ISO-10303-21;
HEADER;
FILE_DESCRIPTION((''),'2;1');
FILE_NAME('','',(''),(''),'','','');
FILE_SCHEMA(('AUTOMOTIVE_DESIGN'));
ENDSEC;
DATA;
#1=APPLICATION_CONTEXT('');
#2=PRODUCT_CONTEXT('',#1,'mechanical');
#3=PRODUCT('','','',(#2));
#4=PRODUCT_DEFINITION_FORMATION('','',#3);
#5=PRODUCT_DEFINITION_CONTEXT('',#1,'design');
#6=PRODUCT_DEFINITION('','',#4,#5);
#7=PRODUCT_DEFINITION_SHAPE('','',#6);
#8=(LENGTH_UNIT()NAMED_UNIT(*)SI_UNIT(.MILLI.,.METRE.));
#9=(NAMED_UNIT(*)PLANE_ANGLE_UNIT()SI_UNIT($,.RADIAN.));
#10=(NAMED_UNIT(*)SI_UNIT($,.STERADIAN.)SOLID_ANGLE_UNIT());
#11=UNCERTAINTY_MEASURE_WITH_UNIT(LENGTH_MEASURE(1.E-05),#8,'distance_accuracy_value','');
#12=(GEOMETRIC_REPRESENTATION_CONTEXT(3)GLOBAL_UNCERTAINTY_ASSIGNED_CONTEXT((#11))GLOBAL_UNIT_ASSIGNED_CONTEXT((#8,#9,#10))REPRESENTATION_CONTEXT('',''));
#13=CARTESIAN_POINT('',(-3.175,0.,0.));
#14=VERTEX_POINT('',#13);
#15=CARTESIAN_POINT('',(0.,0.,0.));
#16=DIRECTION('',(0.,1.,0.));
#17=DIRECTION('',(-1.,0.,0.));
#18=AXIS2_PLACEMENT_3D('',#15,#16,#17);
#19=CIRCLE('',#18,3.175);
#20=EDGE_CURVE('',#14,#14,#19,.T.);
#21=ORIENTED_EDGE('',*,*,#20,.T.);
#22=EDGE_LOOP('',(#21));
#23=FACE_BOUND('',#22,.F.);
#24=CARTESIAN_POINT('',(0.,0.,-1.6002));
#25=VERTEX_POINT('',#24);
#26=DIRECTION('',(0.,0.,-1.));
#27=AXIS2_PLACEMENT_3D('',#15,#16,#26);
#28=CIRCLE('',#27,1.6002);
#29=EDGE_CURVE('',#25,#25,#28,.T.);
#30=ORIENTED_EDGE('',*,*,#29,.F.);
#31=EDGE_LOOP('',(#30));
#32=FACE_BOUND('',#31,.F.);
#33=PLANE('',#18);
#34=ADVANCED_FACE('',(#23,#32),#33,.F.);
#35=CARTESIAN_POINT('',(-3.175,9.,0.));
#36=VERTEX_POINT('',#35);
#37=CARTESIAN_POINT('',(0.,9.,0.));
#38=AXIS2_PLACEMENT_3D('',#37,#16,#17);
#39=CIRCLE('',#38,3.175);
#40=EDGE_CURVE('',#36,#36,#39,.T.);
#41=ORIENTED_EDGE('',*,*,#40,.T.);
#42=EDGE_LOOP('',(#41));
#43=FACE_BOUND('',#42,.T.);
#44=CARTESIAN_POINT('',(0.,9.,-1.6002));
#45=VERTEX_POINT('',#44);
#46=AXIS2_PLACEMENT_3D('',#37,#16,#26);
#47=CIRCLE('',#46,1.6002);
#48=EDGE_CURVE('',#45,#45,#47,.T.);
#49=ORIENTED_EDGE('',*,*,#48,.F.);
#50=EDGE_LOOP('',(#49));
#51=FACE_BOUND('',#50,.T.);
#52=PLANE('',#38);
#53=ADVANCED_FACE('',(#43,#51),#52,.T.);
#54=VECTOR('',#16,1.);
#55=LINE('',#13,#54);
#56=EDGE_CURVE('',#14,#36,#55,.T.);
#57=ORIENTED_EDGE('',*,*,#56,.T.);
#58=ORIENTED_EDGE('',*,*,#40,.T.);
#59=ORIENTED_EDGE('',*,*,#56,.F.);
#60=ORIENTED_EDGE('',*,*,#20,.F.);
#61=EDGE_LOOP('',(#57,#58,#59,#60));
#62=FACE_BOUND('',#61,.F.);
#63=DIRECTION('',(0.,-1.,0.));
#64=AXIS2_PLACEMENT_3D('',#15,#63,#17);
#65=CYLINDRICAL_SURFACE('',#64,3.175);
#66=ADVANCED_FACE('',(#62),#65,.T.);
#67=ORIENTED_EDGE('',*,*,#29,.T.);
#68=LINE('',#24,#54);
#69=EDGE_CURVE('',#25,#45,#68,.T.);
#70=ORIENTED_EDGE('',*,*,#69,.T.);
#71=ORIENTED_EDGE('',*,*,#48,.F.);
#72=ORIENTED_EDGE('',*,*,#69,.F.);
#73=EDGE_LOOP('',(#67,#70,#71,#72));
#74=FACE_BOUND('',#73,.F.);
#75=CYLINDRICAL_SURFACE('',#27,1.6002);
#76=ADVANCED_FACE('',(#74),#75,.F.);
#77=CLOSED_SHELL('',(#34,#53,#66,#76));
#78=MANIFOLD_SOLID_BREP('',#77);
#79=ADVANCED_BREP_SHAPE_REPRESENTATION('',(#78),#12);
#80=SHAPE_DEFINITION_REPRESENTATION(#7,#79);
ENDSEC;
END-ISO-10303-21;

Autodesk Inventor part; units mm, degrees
ref_plane "YZ Plane" through (0, 0, 0) normal (1, 0, 0) x (0, 1, 0)
ref_plane "XZ Plane" through (0, 0, 0) normal (0, 1, 0) x (-1, 0, 0)
ref_plane "XY Plane" through (0, 0, 0) normal (0, 0, 1) x (1, 0, 0)
sketch "Sketch1" plane through (0, 0, 0) normal (0, 1, 0) x (-1, 0, 0)
  circle A0 centre (0, 0) radius 3.175
  dimension "d0" = 6.35
extrude "Extrusion1" add sketch "Sketch1" along normal blind 9
hole "Hole1" at (0, 0, 0) direction (0, 1, 0) diameter 3.2004 end through all clearance for "Flat Head Machine Screw" size "M3" standard "Ansi Metric M Profile"
properties part number "Spacer" material "Aluminum 6061"
